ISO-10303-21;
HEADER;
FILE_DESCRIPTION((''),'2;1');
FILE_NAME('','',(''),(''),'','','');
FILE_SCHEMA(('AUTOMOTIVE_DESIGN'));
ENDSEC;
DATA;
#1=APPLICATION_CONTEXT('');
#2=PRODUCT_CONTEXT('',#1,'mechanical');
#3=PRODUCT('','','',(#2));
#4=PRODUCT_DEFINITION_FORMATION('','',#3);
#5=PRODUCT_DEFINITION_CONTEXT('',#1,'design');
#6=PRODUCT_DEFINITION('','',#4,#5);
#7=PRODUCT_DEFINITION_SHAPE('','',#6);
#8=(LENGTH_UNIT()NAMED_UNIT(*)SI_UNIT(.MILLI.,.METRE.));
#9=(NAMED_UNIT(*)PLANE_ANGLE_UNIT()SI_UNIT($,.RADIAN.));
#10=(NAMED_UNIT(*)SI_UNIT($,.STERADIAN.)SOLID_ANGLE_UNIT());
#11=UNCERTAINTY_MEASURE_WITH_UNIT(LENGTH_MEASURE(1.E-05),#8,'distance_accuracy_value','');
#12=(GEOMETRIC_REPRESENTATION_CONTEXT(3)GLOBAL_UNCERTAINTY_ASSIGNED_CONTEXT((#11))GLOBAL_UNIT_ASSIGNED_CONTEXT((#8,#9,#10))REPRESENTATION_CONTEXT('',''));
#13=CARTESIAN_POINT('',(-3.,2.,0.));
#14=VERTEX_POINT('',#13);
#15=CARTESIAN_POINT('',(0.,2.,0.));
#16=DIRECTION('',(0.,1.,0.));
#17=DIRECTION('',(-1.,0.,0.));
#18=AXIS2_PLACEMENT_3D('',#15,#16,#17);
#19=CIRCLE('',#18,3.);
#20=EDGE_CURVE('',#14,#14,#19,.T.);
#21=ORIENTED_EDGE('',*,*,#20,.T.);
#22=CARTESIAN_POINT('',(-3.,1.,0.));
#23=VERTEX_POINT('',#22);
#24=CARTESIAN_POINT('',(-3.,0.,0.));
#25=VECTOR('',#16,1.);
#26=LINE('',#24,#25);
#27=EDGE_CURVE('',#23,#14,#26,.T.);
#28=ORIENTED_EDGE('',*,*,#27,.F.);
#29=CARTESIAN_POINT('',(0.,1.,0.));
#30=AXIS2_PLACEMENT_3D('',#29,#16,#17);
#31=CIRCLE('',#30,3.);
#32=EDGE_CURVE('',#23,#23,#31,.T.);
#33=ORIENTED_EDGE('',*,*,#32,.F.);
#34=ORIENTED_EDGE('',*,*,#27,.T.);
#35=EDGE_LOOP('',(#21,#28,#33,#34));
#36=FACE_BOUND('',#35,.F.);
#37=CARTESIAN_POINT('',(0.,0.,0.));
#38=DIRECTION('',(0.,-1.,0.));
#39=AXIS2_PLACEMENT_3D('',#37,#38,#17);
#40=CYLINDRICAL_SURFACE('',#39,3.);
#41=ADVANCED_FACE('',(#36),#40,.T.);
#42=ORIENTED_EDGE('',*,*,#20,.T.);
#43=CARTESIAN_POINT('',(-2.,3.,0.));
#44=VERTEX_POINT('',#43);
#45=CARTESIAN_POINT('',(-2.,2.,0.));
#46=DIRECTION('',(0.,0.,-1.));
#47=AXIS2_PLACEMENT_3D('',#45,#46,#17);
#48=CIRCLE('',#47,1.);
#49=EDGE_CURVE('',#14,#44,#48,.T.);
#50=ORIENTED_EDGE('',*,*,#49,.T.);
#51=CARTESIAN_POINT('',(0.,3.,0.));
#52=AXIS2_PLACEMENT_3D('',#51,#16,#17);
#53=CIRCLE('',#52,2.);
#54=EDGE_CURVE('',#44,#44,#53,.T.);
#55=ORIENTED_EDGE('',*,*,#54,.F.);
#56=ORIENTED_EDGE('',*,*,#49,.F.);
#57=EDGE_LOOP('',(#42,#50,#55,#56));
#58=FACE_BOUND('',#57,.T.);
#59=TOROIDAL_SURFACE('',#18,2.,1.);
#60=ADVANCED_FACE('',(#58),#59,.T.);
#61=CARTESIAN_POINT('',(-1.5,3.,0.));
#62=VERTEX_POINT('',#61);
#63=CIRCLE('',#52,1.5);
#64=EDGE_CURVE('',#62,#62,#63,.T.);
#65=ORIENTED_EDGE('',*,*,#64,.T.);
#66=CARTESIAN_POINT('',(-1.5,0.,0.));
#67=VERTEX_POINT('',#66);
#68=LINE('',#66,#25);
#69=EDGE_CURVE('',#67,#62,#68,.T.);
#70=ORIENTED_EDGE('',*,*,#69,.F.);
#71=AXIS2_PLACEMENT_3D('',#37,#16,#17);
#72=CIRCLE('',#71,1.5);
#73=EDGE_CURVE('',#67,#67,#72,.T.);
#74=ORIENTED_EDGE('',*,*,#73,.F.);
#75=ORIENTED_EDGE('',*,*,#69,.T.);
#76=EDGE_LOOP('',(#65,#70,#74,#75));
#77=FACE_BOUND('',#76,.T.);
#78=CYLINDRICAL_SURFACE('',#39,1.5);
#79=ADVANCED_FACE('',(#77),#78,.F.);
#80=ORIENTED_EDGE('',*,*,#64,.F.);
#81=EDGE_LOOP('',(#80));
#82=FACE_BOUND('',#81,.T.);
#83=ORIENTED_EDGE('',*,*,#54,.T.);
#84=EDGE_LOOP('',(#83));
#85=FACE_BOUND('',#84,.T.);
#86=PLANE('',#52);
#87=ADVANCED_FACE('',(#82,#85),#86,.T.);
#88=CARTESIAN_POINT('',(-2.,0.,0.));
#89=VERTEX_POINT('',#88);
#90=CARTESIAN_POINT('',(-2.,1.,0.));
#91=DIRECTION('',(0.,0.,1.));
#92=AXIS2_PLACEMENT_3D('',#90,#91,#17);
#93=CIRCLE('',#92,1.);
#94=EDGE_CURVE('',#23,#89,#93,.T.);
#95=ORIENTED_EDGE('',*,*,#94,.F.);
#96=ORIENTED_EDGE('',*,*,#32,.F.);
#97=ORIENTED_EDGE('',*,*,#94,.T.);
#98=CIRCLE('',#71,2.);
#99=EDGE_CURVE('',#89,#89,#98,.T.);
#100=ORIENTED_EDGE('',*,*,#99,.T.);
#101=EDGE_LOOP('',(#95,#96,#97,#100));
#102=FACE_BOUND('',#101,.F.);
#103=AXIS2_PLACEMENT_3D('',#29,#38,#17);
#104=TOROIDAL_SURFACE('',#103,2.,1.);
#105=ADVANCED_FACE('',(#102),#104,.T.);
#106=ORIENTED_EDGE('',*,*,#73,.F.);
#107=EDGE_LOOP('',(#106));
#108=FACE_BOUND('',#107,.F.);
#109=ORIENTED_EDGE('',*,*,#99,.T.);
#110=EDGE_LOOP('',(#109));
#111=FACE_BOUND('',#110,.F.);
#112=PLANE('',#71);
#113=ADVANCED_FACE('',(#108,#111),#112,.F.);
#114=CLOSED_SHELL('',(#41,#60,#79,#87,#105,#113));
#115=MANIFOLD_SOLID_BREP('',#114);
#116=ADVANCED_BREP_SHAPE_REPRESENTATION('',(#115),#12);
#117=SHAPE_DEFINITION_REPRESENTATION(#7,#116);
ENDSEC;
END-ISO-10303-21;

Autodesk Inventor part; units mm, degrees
ref_plane "YZ Plane" through (0, 0, 0) normal (1, 0, 0) x (0, 1, 0)
ref_plane "XZ Plane" through (0, 0, 0) normal (0, 1, 0) x (-1, 0, 0)
ref_plane "XY Plane" through (0, 0, 0) normal (0, 0, 1) x (1, 0, 0)
sketch "Sketch1" plane through (0, 0, 0) normal (0, 1, 0) x (-1, 0, 0)
  circle A0 centre (0, 0) radius 1.5
  circle A1 centre (0, 0) radius 3
  dimension "d0" = 3
  dimension "d1" = 6
extrude "Extrusion1" add sketch "Sketch1" along normal blind 3
fillet "Fillet1" radius 1 2 edges at (3, 3, 0) (3, 0, 0)
equation "\"BendRadius\" = Thickness"
equation "\"BendReliefWidth\" = Thickness"
equation "\"BendReliefDepth\" = 0.5 * Thickness"
equation "\"CornerReliefSize\" = 4 * Thickness"
equation "\"MinimumRemnant\" = 2 * Thickness"
equation "\"TransitionRadius\" = BendRadius"
equation "\"JacobiRadiusSize\" = BendRadius"
equation "\"GapSize\" = Thickness"
equation "\"Thickness\" = 0.5"
properties part number "gum"
